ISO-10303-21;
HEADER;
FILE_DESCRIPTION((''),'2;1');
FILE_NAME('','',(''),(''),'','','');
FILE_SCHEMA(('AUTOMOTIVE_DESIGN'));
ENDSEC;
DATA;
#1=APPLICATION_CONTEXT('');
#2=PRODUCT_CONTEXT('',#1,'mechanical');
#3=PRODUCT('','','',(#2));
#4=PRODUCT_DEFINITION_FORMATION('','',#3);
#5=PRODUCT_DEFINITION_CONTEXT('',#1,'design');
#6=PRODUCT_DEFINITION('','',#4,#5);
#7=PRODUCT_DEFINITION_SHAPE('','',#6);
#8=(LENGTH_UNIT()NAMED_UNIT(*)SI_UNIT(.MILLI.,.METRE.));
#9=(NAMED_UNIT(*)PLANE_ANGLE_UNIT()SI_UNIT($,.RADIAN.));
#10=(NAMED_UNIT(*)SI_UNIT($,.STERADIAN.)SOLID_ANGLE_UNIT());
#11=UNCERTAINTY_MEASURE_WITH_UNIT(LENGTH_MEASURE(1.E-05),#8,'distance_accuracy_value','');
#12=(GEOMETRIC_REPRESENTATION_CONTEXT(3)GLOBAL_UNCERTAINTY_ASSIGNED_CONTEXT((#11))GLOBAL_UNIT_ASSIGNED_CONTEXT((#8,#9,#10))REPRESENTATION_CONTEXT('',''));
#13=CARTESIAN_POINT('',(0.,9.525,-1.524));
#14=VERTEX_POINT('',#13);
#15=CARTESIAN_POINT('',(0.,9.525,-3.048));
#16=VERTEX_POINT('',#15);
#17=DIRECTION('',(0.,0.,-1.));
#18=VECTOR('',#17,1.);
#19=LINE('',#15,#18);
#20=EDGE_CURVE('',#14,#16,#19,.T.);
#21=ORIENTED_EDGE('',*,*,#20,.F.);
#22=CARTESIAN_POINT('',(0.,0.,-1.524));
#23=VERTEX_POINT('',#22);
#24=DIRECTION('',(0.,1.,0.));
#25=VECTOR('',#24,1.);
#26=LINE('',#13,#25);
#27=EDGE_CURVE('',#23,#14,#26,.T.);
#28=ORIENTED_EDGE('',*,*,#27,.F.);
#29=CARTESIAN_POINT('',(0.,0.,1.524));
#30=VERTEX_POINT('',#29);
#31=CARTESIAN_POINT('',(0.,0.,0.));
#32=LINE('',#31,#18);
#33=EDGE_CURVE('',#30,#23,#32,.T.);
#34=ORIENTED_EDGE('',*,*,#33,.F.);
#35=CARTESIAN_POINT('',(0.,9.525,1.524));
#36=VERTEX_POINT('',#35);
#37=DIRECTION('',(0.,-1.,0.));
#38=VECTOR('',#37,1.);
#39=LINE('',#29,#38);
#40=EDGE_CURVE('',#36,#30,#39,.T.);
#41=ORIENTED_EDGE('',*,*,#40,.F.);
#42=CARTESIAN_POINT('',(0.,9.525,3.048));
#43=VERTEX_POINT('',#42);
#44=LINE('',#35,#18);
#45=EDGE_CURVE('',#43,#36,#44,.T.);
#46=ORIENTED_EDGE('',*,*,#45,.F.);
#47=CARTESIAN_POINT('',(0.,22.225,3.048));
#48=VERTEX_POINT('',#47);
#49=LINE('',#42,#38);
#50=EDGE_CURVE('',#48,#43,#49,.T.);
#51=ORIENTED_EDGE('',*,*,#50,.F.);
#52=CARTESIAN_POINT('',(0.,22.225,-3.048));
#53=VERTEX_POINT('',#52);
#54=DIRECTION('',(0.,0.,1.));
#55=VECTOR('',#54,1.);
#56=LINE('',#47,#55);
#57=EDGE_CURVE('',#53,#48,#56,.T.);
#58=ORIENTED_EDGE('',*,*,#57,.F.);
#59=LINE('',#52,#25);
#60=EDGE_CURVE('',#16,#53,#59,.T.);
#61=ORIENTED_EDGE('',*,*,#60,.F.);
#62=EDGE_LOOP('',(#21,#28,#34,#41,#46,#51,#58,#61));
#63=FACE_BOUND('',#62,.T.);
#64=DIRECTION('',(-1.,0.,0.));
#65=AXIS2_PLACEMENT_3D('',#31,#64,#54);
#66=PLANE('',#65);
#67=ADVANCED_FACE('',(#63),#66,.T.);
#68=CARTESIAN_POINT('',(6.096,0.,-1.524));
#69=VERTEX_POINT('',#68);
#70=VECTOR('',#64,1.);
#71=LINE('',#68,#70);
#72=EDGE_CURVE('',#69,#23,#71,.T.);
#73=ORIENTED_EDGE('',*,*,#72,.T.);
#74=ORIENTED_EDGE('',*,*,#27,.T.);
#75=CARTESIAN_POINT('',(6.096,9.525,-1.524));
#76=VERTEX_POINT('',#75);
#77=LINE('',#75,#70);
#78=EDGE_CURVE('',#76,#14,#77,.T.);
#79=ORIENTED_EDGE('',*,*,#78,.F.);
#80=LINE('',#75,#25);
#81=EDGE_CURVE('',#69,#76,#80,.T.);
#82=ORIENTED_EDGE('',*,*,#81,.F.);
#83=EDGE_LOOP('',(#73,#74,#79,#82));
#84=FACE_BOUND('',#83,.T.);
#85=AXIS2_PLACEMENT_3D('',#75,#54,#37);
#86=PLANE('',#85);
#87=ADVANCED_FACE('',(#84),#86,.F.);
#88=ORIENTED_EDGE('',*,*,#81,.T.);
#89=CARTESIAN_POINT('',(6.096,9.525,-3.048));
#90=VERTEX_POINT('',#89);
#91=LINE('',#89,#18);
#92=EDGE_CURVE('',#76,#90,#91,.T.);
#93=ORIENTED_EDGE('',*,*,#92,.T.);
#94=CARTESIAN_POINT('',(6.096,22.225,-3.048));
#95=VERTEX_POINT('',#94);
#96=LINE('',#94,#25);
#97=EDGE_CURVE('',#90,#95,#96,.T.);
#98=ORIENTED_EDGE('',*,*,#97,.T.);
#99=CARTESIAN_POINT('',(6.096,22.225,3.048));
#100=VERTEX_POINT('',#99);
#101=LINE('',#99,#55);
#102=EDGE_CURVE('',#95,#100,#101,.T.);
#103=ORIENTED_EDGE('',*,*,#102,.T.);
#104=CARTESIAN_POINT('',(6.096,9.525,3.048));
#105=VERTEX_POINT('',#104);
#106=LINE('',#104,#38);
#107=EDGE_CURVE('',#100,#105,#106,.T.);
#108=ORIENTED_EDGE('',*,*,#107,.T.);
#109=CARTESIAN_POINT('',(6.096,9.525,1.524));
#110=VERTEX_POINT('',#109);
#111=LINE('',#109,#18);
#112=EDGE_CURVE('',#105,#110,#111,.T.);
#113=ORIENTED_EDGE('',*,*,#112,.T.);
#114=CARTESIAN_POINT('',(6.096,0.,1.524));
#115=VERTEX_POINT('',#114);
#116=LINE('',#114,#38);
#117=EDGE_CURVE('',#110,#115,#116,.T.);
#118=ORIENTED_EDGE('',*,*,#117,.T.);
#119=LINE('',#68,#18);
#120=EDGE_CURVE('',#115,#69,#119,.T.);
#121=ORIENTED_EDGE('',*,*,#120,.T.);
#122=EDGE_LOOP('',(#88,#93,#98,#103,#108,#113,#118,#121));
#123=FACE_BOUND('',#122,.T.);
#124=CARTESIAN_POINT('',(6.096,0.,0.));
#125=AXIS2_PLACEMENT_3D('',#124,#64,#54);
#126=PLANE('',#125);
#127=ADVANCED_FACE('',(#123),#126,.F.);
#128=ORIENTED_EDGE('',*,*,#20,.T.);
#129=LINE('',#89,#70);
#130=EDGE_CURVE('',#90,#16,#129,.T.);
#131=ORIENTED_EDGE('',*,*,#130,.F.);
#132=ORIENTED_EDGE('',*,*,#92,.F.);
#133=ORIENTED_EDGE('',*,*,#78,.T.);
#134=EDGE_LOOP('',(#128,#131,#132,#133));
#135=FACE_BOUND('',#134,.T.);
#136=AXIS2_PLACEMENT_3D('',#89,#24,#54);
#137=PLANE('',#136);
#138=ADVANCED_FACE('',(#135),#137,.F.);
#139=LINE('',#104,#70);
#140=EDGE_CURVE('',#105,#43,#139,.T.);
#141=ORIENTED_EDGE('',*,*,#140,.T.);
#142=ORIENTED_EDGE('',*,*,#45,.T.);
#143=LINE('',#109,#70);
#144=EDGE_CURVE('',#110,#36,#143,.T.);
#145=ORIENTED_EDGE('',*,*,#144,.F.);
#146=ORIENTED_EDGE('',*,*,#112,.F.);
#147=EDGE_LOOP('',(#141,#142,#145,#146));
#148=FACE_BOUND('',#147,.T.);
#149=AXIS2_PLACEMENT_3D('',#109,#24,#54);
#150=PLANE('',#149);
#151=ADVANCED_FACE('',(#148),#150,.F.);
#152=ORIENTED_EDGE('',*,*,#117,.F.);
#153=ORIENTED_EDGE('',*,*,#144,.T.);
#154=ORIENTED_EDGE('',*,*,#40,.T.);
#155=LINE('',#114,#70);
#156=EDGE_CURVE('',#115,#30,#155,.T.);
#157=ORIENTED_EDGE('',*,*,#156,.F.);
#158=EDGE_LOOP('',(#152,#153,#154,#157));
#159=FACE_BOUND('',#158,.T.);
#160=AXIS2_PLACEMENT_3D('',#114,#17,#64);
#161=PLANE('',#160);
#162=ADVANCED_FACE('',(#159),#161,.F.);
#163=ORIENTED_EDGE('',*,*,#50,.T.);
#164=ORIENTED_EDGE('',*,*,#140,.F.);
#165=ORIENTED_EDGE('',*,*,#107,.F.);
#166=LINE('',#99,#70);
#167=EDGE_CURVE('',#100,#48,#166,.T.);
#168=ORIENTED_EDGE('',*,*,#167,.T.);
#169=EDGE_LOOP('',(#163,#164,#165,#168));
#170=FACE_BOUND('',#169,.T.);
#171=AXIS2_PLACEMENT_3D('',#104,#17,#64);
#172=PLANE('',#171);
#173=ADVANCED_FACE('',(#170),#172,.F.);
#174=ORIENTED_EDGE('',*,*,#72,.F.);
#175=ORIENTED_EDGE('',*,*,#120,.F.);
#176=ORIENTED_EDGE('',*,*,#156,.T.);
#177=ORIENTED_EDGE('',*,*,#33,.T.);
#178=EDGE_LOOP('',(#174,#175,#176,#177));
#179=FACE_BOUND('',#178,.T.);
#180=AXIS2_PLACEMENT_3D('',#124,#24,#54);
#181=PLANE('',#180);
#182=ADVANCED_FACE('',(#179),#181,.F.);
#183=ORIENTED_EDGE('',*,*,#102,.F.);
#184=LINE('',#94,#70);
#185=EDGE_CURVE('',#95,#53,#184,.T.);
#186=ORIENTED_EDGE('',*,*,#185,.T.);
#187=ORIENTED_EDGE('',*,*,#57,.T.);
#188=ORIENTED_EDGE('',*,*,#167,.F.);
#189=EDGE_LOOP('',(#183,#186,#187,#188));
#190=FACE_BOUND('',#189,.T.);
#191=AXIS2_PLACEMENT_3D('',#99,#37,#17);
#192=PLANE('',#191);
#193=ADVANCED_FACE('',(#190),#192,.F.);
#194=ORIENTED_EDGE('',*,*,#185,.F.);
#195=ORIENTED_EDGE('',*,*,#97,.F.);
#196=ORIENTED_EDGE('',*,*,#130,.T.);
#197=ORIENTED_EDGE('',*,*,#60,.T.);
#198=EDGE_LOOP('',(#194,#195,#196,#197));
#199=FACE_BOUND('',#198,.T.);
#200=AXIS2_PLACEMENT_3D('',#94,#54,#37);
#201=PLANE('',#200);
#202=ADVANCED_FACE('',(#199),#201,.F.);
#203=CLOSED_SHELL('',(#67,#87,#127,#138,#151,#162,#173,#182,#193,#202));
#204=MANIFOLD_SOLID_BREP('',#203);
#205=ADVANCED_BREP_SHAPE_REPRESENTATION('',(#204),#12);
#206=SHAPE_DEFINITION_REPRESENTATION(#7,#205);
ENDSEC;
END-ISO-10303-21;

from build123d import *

# Parameters (mm, degrees)
BOSS_EXTRUDE1_DEPTH = 6.096


with BuildPart() as part:
    # Sketch2 → Boss-Extrude1 (new body)
    with BuildSketch(Plane(origin=(0, 0, 0), x_dir=(0, 0, -1), z_dir=(1, 0, 0))):
        Polygon((0, 0), (-1.524, 0), (-1.524, 9.525), (-3.048, 9.525), (-3.048, 22.225), (3.048, 22.225), (3.048, 9.525), (1.524, 9.525), (1.524, 0), align=None)
    extrude(amount=BOSS_EXTRUDE1_DEPTH)


solid = part.part
